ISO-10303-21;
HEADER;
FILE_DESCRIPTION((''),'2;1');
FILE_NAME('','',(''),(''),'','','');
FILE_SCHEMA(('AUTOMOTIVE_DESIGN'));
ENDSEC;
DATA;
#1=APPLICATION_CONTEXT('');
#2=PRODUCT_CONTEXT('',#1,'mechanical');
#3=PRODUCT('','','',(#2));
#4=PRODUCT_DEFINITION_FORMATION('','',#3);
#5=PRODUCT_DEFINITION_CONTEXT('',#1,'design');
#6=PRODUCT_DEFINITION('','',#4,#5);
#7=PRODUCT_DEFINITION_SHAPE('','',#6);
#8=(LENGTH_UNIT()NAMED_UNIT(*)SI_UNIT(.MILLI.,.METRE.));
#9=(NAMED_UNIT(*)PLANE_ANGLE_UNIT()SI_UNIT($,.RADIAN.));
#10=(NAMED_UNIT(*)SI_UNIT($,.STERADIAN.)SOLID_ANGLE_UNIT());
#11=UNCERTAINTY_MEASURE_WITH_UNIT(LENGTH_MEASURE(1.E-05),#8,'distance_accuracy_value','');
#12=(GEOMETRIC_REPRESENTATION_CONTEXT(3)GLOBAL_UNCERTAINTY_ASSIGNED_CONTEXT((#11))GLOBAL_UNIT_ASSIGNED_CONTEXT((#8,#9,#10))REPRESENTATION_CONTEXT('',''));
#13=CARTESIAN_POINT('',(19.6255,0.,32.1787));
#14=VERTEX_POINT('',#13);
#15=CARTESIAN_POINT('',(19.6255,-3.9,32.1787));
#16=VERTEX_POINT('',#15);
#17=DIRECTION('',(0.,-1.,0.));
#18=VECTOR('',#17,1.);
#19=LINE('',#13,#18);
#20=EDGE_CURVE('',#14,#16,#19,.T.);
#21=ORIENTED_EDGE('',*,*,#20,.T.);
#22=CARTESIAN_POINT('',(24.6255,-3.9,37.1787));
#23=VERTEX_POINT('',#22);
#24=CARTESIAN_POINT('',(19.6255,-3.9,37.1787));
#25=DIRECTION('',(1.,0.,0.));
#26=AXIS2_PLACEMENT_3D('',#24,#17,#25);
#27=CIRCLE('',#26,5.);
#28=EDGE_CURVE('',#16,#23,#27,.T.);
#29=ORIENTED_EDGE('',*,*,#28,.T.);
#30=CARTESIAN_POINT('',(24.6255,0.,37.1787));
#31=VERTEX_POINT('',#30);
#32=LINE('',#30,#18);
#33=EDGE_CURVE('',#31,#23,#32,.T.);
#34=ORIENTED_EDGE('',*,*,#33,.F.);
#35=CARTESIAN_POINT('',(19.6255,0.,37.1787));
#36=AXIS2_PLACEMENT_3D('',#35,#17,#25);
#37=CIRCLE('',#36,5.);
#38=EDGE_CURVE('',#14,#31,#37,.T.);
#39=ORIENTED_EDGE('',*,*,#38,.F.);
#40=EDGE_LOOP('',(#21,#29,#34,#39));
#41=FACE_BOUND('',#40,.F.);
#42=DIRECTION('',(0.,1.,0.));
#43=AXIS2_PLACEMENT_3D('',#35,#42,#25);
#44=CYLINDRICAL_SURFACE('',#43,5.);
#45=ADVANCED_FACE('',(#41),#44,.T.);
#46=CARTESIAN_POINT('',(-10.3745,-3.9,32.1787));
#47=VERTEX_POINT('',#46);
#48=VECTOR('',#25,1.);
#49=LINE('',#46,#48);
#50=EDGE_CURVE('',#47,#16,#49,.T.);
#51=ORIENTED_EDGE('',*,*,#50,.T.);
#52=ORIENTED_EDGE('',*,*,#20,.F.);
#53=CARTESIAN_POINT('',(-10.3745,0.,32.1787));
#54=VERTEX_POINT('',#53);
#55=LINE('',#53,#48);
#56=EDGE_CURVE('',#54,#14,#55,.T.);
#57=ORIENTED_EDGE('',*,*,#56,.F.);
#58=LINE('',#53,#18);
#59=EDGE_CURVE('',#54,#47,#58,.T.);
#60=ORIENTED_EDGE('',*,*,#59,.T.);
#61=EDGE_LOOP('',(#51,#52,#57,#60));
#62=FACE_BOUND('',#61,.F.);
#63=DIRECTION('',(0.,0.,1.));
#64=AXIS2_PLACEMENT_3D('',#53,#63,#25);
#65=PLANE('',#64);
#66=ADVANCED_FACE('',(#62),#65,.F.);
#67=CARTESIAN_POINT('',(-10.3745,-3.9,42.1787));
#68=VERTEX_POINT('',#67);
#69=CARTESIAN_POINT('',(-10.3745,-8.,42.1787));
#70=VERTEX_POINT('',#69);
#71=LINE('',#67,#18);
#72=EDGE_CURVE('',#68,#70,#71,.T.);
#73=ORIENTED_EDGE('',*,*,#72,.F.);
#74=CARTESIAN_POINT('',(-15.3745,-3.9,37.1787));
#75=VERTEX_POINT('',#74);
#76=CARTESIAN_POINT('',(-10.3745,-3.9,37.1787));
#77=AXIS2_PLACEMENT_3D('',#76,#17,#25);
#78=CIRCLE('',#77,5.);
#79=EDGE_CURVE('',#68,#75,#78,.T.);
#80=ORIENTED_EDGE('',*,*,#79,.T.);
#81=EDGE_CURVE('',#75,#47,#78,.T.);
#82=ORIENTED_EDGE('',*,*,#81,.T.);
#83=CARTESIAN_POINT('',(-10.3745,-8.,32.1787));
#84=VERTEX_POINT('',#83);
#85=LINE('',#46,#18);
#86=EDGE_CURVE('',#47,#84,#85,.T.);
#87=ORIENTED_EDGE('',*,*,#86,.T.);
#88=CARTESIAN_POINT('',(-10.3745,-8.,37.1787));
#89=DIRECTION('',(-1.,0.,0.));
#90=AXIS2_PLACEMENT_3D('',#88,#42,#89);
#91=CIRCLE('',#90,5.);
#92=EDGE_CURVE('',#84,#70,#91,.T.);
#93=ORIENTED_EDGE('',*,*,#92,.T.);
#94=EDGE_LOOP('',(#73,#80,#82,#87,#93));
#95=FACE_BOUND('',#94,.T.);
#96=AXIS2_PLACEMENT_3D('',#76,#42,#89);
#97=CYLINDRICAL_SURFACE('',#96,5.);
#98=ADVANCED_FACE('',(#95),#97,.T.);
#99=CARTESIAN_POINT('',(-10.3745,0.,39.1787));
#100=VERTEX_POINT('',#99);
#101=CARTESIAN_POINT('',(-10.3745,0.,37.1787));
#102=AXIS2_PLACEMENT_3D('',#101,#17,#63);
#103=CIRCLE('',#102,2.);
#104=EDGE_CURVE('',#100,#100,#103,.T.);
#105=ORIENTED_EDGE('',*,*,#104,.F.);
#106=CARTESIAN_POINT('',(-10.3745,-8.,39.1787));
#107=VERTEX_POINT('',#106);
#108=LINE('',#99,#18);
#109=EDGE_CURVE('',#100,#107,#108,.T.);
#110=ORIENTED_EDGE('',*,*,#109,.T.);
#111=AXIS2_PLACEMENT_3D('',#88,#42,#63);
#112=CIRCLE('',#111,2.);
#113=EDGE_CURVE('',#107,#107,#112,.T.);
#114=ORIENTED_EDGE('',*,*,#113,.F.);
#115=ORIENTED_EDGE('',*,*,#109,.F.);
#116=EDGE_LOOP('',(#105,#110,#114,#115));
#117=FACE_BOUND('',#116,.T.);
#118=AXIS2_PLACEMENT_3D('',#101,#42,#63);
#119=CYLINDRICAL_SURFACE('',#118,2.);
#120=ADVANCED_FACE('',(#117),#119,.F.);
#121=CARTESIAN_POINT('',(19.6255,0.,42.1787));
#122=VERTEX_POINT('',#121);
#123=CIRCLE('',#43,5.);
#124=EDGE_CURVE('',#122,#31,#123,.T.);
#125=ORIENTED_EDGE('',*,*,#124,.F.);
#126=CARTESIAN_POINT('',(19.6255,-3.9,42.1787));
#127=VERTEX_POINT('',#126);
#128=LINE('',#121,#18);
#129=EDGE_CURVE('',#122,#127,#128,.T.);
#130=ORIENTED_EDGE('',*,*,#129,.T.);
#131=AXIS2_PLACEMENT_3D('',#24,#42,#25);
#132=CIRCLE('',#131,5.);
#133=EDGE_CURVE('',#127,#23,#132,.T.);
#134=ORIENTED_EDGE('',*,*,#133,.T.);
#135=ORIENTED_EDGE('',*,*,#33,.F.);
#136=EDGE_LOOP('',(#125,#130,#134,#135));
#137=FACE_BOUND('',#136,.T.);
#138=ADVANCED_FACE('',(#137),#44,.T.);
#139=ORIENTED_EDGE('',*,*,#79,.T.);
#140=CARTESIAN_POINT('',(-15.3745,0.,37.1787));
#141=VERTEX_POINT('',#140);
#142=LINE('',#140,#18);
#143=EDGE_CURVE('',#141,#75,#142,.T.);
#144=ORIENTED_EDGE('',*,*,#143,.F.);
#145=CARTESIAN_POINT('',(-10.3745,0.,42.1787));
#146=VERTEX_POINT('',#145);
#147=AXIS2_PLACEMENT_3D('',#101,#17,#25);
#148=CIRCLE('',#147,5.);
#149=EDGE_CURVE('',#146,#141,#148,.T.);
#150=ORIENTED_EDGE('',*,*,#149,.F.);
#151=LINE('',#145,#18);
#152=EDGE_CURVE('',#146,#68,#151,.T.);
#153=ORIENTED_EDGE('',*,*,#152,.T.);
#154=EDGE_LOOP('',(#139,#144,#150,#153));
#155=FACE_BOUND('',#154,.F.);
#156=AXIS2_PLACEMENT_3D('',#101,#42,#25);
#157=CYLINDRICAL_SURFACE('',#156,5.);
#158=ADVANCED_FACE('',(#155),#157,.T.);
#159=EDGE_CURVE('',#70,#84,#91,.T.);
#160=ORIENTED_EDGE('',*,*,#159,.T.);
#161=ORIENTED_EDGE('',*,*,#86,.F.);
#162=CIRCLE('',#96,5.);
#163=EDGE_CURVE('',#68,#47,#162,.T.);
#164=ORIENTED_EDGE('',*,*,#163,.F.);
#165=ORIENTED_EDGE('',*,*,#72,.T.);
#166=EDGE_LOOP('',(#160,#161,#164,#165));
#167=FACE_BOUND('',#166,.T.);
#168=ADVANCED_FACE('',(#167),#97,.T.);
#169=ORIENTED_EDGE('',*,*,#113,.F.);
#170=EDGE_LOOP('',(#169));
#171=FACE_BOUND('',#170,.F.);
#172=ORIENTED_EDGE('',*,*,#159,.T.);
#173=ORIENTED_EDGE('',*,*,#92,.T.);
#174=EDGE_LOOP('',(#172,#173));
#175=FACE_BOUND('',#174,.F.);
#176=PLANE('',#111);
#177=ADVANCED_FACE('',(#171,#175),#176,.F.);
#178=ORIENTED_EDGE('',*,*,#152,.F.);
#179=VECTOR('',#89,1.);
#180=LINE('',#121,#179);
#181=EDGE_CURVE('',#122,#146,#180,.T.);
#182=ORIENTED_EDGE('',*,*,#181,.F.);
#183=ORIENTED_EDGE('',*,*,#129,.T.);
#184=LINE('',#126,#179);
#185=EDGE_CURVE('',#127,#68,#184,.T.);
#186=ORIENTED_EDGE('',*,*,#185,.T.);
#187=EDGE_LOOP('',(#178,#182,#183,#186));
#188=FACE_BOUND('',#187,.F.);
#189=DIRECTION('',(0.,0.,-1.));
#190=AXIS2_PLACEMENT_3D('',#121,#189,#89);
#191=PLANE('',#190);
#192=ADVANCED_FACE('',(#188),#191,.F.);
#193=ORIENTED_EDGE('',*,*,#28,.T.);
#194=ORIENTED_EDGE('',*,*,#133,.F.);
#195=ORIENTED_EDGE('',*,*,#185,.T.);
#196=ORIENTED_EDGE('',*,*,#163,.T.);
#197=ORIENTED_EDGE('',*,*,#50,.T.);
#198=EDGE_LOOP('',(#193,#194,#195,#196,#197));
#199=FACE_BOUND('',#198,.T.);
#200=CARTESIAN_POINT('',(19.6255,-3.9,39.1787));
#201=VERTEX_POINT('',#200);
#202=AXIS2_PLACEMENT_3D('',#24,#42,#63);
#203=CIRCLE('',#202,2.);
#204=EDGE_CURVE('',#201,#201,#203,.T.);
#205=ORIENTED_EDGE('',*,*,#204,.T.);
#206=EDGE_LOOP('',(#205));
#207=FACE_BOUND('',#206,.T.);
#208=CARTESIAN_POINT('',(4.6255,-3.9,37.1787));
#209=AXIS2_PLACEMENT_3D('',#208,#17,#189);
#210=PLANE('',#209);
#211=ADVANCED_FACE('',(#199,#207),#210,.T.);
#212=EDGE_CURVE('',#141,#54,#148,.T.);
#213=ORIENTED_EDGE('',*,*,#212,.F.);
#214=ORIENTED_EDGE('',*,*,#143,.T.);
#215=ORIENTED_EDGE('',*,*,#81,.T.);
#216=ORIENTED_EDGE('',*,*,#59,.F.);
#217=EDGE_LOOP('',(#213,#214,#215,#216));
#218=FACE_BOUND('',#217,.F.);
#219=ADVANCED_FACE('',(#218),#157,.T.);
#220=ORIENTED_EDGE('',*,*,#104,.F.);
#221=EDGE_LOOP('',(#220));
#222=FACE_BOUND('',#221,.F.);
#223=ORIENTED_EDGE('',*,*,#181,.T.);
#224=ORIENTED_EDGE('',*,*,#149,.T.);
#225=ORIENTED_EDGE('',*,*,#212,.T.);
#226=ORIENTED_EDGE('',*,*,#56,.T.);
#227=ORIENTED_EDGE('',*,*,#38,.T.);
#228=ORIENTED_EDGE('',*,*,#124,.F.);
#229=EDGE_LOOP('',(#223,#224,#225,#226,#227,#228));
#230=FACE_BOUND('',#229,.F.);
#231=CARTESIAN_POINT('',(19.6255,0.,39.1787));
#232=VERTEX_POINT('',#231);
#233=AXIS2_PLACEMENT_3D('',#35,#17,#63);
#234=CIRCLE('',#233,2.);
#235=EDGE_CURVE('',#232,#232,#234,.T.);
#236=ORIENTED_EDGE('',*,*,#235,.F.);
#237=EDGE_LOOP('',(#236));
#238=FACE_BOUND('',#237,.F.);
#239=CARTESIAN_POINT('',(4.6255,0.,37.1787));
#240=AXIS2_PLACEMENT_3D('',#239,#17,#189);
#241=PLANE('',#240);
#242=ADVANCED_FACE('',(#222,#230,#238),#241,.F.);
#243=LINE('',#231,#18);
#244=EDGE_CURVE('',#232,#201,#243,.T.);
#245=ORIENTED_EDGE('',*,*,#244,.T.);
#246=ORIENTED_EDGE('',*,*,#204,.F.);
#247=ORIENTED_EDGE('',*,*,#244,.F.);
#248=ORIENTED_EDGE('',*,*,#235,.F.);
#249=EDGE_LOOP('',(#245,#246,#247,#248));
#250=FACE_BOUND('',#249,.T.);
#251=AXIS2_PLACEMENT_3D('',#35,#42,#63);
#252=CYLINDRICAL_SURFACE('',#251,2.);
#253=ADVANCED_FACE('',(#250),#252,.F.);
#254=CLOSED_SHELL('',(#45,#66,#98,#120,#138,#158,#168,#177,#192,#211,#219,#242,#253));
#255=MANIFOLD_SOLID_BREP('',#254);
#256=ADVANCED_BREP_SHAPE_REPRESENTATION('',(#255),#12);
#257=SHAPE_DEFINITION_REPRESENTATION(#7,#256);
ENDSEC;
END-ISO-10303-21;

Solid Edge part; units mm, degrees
sketch "Sketch1" plane through (0, 0, 0) normal (0, -1, 0) x (1, 0, 0)
  line L0 (-10.3745, 32.1787) -> (19.6255, 32.1787)
  arc A0 (19.6255, 32.1787) -> (24.6255, 37.1787) centre (19.6255, 37.1787) ccw
  arc A1 (19.6255, 42.1787) -> (24.6255, 37.1787) centre (19.6255, 37.1787) cw
  line L1 (19.6255, 42.1787) -> (-10.3745, 42.1787)
  arc A2 (-10.3745, 42.1787) -> (-15.3745, 37.1787) centre (-10.3745, 37.1787) ccw
  arc A3 (-15.3745, 37.1787) -> (-10.3745, 32.1787) centre (-10.3745, 37.1787) ccw
extrude "Protrusion1" add sketch "Sketch1" along normal blind 3.9
sketch "Sketch2" plane through (4.6255, -3.9, 37.1787) normal (0, -1, 0) x (-1, 0, 0)
  arc A0 (15, -5) -> (15, 5) centre (15, 0) cw
  arc A1 (15, 5) -> (15, -5) centre (15, 0) cw
extrude "Extrusionsausprägung_4" add sketch "Sketch2" along normal blind 4.1
hole "Bohrung_1" at (-10.3745, 0, 37.1787) direction (0, -1, 0) diameter 4 end through all
hole "Hole1" at (19.6255, 0, 37.1787) direction (0, -1, 0) diameter 4 end through all
